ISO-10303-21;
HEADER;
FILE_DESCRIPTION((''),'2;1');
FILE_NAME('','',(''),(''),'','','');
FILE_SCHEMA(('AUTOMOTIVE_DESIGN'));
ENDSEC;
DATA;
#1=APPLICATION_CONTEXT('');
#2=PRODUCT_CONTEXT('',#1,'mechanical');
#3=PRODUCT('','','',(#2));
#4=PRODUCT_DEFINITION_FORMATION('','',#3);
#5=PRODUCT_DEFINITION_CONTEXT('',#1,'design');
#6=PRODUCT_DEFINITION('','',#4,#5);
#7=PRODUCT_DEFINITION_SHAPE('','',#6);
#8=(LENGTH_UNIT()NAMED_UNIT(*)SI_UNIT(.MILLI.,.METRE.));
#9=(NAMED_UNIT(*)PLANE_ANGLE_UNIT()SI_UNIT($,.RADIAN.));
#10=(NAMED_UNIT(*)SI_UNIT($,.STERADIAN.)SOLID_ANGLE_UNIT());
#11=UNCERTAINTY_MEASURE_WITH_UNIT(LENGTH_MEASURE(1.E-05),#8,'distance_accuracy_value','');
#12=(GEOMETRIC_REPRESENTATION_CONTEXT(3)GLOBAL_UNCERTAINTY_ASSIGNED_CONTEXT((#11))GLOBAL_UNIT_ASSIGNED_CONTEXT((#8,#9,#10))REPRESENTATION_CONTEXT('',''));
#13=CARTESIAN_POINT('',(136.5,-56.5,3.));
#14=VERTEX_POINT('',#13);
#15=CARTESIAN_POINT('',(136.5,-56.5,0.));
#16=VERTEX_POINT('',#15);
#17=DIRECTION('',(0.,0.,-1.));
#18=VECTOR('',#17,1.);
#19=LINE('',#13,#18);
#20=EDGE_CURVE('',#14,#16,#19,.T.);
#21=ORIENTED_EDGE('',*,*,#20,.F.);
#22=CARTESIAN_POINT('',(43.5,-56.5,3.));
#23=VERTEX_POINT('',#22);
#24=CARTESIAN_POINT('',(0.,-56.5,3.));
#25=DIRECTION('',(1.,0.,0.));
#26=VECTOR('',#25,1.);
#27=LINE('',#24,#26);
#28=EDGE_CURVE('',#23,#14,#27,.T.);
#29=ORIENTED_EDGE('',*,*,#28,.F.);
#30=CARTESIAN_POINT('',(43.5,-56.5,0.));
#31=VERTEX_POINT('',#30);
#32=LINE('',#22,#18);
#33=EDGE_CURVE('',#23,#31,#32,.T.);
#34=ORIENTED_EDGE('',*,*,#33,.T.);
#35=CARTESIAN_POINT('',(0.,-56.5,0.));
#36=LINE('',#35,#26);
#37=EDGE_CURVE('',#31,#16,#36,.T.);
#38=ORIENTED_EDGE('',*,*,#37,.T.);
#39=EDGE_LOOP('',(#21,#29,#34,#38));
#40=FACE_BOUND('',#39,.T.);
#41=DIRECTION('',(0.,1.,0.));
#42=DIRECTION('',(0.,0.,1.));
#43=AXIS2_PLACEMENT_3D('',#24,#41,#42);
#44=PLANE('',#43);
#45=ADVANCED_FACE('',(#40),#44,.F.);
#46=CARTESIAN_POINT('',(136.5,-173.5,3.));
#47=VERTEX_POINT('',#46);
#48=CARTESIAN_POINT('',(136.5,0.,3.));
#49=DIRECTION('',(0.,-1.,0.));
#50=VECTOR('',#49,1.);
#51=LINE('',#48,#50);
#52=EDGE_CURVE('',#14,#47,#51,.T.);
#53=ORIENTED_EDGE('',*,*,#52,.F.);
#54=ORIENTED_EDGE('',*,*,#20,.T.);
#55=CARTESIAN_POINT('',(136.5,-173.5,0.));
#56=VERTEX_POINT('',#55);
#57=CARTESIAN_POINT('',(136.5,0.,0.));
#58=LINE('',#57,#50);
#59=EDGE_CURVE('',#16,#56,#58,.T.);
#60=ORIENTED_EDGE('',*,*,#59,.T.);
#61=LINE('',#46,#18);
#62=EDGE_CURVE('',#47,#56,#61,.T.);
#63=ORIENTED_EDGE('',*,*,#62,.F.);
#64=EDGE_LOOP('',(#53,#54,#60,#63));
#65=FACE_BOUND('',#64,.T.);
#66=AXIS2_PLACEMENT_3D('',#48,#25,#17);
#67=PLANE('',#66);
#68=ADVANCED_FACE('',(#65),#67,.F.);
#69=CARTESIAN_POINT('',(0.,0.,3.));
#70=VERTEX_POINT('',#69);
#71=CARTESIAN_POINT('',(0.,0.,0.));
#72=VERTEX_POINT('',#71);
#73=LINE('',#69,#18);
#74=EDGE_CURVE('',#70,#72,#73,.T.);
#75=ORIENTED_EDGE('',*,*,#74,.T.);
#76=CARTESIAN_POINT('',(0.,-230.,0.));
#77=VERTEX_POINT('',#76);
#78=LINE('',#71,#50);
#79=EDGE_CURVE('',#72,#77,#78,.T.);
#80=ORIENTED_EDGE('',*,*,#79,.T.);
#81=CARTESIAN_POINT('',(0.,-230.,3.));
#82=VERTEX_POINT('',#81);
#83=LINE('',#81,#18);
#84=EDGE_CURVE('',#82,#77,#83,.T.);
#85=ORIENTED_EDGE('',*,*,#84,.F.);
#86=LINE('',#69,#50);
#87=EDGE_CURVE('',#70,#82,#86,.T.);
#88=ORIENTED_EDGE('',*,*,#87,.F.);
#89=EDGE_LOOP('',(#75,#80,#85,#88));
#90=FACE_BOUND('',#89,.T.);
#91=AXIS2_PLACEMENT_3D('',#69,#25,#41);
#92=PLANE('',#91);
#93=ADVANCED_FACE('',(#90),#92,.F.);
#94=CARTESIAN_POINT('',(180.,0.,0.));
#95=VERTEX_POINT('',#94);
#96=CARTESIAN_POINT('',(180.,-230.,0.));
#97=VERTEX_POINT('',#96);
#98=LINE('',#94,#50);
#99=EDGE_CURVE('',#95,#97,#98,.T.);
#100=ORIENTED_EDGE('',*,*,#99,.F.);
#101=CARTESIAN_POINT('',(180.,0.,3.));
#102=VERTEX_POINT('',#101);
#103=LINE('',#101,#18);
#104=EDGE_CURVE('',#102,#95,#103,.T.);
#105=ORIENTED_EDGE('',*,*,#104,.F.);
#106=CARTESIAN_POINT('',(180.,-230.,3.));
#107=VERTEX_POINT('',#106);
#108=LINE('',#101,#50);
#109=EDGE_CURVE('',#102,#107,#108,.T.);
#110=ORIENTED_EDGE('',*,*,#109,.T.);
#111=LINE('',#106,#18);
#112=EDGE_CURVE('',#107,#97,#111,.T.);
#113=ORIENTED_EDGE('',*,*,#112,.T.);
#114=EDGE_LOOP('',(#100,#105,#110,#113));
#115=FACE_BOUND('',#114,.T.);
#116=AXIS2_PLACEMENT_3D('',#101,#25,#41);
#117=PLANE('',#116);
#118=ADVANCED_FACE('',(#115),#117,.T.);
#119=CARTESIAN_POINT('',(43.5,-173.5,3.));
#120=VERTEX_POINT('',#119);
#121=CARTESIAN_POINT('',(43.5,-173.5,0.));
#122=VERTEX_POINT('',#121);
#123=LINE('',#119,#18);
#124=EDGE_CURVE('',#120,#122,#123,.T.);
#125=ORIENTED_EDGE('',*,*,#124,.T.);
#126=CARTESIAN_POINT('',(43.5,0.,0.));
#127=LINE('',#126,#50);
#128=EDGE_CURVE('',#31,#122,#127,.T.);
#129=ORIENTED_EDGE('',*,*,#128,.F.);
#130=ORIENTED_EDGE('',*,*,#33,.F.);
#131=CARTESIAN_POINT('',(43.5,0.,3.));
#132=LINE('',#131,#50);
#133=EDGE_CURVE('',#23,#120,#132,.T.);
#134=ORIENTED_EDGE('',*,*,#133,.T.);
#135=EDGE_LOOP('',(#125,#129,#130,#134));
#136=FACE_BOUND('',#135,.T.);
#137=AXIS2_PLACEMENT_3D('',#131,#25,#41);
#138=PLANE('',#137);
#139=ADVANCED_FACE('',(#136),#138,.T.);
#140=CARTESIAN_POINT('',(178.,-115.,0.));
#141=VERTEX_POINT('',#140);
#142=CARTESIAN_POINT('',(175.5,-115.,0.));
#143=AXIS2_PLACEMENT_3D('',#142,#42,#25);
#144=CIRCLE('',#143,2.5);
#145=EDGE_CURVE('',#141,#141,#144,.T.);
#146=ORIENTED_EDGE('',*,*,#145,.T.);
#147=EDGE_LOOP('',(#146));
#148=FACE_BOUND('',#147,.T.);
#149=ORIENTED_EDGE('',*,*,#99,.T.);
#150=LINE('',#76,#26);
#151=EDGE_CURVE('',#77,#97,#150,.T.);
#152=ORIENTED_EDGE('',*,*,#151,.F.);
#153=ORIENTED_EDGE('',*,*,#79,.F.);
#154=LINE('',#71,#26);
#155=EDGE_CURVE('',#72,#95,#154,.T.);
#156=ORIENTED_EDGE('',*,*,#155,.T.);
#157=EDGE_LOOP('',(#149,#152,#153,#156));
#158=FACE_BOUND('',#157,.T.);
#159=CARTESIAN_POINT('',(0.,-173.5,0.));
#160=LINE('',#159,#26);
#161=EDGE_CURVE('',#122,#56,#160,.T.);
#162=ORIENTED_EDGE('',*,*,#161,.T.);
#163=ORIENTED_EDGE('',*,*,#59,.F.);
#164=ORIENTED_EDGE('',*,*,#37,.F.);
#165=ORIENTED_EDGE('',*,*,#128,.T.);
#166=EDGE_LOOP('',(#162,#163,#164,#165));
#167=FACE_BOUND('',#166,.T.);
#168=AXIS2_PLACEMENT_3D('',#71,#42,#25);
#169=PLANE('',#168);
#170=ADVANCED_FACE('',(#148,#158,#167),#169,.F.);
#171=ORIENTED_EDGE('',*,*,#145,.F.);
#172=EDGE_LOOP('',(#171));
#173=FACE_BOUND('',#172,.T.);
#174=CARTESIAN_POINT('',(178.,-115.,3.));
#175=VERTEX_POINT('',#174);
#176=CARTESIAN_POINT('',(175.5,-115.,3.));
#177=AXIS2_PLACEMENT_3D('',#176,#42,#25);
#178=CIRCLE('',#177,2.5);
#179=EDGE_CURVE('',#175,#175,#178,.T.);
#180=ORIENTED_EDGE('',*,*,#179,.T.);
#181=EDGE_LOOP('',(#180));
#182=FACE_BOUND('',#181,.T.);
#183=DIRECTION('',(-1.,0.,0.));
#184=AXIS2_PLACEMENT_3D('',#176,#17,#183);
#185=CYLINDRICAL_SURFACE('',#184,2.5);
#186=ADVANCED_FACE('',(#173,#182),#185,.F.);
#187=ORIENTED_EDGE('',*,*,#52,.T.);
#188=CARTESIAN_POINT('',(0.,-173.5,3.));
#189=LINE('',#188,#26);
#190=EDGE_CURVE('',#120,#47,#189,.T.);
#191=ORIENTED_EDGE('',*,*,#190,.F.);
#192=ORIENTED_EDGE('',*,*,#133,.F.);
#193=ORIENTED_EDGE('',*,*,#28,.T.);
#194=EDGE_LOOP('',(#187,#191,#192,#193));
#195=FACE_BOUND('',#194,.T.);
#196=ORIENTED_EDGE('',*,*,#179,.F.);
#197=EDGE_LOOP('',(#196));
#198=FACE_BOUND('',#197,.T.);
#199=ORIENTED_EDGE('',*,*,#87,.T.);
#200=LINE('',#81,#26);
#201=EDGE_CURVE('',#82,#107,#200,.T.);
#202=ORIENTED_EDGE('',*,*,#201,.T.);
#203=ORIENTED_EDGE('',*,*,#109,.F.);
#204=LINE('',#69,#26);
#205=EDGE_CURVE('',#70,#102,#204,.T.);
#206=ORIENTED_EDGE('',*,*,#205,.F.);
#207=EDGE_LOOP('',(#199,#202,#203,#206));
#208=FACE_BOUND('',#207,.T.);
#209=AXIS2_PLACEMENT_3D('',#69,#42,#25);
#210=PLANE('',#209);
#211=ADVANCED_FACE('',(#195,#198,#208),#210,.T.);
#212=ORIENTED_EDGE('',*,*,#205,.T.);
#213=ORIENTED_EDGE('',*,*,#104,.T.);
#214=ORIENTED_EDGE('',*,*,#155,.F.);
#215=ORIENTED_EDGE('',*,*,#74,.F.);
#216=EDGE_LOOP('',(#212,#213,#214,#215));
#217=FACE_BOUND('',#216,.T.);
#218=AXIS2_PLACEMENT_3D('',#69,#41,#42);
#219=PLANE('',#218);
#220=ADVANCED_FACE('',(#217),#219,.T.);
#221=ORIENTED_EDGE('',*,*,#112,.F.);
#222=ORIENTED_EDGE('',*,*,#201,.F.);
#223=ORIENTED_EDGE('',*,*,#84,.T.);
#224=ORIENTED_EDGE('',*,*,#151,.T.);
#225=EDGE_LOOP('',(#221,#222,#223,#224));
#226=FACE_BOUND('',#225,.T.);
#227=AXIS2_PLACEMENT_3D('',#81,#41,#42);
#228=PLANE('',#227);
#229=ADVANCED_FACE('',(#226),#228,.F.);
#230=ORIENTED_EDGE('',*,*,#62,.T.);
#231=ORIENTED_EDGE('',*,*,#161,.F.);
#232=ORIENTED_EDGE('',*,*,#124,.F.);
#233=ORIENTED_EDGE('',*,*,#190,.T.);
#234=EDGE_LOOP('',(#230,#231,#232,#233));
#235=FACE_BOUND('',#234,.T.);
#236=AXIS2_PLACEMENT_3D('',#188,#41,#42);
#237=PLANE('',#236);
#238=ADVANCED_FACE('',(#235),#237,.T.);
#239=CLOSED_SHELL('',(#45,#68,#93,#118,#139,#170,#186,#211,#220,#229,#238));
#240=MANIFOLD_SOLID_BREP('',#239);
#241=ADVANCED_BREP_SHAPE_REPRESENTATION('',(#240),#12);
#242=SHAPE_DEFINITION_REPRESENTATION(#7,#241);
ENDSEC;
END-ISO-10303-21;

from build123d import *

# Parameters (mm, degrees)
CROQUIS1_W              = 180
CROQUIS1_H              = 230
CROQUIS1_R              = 2.5
SALIENTE_EXTRUIR1_DEPTH = 3


with BuildPart() as part:
    # Croquis1 → Saliente-Extruir1 (new body)
    with BuildSketch(Plane.XY):
        with Locations((90, -115)):
            Rectangle(CROQUIS1_W, CROQUIS1_H)
        with Locations((175.5, -115)):
            Circle(CROQUIS1_R, mode=Mode.SUBTRACT)
        Polygon((90, -56.5), (136.5, -56.5), (136.5, -173.5), (43.5, -173.5), (43.5, -56.5), align=None, mode=Mode.SUBTRACT)
    extrude(amount=SALIENTE_EXTRUIR1_DEPTH)


solid = part.part
